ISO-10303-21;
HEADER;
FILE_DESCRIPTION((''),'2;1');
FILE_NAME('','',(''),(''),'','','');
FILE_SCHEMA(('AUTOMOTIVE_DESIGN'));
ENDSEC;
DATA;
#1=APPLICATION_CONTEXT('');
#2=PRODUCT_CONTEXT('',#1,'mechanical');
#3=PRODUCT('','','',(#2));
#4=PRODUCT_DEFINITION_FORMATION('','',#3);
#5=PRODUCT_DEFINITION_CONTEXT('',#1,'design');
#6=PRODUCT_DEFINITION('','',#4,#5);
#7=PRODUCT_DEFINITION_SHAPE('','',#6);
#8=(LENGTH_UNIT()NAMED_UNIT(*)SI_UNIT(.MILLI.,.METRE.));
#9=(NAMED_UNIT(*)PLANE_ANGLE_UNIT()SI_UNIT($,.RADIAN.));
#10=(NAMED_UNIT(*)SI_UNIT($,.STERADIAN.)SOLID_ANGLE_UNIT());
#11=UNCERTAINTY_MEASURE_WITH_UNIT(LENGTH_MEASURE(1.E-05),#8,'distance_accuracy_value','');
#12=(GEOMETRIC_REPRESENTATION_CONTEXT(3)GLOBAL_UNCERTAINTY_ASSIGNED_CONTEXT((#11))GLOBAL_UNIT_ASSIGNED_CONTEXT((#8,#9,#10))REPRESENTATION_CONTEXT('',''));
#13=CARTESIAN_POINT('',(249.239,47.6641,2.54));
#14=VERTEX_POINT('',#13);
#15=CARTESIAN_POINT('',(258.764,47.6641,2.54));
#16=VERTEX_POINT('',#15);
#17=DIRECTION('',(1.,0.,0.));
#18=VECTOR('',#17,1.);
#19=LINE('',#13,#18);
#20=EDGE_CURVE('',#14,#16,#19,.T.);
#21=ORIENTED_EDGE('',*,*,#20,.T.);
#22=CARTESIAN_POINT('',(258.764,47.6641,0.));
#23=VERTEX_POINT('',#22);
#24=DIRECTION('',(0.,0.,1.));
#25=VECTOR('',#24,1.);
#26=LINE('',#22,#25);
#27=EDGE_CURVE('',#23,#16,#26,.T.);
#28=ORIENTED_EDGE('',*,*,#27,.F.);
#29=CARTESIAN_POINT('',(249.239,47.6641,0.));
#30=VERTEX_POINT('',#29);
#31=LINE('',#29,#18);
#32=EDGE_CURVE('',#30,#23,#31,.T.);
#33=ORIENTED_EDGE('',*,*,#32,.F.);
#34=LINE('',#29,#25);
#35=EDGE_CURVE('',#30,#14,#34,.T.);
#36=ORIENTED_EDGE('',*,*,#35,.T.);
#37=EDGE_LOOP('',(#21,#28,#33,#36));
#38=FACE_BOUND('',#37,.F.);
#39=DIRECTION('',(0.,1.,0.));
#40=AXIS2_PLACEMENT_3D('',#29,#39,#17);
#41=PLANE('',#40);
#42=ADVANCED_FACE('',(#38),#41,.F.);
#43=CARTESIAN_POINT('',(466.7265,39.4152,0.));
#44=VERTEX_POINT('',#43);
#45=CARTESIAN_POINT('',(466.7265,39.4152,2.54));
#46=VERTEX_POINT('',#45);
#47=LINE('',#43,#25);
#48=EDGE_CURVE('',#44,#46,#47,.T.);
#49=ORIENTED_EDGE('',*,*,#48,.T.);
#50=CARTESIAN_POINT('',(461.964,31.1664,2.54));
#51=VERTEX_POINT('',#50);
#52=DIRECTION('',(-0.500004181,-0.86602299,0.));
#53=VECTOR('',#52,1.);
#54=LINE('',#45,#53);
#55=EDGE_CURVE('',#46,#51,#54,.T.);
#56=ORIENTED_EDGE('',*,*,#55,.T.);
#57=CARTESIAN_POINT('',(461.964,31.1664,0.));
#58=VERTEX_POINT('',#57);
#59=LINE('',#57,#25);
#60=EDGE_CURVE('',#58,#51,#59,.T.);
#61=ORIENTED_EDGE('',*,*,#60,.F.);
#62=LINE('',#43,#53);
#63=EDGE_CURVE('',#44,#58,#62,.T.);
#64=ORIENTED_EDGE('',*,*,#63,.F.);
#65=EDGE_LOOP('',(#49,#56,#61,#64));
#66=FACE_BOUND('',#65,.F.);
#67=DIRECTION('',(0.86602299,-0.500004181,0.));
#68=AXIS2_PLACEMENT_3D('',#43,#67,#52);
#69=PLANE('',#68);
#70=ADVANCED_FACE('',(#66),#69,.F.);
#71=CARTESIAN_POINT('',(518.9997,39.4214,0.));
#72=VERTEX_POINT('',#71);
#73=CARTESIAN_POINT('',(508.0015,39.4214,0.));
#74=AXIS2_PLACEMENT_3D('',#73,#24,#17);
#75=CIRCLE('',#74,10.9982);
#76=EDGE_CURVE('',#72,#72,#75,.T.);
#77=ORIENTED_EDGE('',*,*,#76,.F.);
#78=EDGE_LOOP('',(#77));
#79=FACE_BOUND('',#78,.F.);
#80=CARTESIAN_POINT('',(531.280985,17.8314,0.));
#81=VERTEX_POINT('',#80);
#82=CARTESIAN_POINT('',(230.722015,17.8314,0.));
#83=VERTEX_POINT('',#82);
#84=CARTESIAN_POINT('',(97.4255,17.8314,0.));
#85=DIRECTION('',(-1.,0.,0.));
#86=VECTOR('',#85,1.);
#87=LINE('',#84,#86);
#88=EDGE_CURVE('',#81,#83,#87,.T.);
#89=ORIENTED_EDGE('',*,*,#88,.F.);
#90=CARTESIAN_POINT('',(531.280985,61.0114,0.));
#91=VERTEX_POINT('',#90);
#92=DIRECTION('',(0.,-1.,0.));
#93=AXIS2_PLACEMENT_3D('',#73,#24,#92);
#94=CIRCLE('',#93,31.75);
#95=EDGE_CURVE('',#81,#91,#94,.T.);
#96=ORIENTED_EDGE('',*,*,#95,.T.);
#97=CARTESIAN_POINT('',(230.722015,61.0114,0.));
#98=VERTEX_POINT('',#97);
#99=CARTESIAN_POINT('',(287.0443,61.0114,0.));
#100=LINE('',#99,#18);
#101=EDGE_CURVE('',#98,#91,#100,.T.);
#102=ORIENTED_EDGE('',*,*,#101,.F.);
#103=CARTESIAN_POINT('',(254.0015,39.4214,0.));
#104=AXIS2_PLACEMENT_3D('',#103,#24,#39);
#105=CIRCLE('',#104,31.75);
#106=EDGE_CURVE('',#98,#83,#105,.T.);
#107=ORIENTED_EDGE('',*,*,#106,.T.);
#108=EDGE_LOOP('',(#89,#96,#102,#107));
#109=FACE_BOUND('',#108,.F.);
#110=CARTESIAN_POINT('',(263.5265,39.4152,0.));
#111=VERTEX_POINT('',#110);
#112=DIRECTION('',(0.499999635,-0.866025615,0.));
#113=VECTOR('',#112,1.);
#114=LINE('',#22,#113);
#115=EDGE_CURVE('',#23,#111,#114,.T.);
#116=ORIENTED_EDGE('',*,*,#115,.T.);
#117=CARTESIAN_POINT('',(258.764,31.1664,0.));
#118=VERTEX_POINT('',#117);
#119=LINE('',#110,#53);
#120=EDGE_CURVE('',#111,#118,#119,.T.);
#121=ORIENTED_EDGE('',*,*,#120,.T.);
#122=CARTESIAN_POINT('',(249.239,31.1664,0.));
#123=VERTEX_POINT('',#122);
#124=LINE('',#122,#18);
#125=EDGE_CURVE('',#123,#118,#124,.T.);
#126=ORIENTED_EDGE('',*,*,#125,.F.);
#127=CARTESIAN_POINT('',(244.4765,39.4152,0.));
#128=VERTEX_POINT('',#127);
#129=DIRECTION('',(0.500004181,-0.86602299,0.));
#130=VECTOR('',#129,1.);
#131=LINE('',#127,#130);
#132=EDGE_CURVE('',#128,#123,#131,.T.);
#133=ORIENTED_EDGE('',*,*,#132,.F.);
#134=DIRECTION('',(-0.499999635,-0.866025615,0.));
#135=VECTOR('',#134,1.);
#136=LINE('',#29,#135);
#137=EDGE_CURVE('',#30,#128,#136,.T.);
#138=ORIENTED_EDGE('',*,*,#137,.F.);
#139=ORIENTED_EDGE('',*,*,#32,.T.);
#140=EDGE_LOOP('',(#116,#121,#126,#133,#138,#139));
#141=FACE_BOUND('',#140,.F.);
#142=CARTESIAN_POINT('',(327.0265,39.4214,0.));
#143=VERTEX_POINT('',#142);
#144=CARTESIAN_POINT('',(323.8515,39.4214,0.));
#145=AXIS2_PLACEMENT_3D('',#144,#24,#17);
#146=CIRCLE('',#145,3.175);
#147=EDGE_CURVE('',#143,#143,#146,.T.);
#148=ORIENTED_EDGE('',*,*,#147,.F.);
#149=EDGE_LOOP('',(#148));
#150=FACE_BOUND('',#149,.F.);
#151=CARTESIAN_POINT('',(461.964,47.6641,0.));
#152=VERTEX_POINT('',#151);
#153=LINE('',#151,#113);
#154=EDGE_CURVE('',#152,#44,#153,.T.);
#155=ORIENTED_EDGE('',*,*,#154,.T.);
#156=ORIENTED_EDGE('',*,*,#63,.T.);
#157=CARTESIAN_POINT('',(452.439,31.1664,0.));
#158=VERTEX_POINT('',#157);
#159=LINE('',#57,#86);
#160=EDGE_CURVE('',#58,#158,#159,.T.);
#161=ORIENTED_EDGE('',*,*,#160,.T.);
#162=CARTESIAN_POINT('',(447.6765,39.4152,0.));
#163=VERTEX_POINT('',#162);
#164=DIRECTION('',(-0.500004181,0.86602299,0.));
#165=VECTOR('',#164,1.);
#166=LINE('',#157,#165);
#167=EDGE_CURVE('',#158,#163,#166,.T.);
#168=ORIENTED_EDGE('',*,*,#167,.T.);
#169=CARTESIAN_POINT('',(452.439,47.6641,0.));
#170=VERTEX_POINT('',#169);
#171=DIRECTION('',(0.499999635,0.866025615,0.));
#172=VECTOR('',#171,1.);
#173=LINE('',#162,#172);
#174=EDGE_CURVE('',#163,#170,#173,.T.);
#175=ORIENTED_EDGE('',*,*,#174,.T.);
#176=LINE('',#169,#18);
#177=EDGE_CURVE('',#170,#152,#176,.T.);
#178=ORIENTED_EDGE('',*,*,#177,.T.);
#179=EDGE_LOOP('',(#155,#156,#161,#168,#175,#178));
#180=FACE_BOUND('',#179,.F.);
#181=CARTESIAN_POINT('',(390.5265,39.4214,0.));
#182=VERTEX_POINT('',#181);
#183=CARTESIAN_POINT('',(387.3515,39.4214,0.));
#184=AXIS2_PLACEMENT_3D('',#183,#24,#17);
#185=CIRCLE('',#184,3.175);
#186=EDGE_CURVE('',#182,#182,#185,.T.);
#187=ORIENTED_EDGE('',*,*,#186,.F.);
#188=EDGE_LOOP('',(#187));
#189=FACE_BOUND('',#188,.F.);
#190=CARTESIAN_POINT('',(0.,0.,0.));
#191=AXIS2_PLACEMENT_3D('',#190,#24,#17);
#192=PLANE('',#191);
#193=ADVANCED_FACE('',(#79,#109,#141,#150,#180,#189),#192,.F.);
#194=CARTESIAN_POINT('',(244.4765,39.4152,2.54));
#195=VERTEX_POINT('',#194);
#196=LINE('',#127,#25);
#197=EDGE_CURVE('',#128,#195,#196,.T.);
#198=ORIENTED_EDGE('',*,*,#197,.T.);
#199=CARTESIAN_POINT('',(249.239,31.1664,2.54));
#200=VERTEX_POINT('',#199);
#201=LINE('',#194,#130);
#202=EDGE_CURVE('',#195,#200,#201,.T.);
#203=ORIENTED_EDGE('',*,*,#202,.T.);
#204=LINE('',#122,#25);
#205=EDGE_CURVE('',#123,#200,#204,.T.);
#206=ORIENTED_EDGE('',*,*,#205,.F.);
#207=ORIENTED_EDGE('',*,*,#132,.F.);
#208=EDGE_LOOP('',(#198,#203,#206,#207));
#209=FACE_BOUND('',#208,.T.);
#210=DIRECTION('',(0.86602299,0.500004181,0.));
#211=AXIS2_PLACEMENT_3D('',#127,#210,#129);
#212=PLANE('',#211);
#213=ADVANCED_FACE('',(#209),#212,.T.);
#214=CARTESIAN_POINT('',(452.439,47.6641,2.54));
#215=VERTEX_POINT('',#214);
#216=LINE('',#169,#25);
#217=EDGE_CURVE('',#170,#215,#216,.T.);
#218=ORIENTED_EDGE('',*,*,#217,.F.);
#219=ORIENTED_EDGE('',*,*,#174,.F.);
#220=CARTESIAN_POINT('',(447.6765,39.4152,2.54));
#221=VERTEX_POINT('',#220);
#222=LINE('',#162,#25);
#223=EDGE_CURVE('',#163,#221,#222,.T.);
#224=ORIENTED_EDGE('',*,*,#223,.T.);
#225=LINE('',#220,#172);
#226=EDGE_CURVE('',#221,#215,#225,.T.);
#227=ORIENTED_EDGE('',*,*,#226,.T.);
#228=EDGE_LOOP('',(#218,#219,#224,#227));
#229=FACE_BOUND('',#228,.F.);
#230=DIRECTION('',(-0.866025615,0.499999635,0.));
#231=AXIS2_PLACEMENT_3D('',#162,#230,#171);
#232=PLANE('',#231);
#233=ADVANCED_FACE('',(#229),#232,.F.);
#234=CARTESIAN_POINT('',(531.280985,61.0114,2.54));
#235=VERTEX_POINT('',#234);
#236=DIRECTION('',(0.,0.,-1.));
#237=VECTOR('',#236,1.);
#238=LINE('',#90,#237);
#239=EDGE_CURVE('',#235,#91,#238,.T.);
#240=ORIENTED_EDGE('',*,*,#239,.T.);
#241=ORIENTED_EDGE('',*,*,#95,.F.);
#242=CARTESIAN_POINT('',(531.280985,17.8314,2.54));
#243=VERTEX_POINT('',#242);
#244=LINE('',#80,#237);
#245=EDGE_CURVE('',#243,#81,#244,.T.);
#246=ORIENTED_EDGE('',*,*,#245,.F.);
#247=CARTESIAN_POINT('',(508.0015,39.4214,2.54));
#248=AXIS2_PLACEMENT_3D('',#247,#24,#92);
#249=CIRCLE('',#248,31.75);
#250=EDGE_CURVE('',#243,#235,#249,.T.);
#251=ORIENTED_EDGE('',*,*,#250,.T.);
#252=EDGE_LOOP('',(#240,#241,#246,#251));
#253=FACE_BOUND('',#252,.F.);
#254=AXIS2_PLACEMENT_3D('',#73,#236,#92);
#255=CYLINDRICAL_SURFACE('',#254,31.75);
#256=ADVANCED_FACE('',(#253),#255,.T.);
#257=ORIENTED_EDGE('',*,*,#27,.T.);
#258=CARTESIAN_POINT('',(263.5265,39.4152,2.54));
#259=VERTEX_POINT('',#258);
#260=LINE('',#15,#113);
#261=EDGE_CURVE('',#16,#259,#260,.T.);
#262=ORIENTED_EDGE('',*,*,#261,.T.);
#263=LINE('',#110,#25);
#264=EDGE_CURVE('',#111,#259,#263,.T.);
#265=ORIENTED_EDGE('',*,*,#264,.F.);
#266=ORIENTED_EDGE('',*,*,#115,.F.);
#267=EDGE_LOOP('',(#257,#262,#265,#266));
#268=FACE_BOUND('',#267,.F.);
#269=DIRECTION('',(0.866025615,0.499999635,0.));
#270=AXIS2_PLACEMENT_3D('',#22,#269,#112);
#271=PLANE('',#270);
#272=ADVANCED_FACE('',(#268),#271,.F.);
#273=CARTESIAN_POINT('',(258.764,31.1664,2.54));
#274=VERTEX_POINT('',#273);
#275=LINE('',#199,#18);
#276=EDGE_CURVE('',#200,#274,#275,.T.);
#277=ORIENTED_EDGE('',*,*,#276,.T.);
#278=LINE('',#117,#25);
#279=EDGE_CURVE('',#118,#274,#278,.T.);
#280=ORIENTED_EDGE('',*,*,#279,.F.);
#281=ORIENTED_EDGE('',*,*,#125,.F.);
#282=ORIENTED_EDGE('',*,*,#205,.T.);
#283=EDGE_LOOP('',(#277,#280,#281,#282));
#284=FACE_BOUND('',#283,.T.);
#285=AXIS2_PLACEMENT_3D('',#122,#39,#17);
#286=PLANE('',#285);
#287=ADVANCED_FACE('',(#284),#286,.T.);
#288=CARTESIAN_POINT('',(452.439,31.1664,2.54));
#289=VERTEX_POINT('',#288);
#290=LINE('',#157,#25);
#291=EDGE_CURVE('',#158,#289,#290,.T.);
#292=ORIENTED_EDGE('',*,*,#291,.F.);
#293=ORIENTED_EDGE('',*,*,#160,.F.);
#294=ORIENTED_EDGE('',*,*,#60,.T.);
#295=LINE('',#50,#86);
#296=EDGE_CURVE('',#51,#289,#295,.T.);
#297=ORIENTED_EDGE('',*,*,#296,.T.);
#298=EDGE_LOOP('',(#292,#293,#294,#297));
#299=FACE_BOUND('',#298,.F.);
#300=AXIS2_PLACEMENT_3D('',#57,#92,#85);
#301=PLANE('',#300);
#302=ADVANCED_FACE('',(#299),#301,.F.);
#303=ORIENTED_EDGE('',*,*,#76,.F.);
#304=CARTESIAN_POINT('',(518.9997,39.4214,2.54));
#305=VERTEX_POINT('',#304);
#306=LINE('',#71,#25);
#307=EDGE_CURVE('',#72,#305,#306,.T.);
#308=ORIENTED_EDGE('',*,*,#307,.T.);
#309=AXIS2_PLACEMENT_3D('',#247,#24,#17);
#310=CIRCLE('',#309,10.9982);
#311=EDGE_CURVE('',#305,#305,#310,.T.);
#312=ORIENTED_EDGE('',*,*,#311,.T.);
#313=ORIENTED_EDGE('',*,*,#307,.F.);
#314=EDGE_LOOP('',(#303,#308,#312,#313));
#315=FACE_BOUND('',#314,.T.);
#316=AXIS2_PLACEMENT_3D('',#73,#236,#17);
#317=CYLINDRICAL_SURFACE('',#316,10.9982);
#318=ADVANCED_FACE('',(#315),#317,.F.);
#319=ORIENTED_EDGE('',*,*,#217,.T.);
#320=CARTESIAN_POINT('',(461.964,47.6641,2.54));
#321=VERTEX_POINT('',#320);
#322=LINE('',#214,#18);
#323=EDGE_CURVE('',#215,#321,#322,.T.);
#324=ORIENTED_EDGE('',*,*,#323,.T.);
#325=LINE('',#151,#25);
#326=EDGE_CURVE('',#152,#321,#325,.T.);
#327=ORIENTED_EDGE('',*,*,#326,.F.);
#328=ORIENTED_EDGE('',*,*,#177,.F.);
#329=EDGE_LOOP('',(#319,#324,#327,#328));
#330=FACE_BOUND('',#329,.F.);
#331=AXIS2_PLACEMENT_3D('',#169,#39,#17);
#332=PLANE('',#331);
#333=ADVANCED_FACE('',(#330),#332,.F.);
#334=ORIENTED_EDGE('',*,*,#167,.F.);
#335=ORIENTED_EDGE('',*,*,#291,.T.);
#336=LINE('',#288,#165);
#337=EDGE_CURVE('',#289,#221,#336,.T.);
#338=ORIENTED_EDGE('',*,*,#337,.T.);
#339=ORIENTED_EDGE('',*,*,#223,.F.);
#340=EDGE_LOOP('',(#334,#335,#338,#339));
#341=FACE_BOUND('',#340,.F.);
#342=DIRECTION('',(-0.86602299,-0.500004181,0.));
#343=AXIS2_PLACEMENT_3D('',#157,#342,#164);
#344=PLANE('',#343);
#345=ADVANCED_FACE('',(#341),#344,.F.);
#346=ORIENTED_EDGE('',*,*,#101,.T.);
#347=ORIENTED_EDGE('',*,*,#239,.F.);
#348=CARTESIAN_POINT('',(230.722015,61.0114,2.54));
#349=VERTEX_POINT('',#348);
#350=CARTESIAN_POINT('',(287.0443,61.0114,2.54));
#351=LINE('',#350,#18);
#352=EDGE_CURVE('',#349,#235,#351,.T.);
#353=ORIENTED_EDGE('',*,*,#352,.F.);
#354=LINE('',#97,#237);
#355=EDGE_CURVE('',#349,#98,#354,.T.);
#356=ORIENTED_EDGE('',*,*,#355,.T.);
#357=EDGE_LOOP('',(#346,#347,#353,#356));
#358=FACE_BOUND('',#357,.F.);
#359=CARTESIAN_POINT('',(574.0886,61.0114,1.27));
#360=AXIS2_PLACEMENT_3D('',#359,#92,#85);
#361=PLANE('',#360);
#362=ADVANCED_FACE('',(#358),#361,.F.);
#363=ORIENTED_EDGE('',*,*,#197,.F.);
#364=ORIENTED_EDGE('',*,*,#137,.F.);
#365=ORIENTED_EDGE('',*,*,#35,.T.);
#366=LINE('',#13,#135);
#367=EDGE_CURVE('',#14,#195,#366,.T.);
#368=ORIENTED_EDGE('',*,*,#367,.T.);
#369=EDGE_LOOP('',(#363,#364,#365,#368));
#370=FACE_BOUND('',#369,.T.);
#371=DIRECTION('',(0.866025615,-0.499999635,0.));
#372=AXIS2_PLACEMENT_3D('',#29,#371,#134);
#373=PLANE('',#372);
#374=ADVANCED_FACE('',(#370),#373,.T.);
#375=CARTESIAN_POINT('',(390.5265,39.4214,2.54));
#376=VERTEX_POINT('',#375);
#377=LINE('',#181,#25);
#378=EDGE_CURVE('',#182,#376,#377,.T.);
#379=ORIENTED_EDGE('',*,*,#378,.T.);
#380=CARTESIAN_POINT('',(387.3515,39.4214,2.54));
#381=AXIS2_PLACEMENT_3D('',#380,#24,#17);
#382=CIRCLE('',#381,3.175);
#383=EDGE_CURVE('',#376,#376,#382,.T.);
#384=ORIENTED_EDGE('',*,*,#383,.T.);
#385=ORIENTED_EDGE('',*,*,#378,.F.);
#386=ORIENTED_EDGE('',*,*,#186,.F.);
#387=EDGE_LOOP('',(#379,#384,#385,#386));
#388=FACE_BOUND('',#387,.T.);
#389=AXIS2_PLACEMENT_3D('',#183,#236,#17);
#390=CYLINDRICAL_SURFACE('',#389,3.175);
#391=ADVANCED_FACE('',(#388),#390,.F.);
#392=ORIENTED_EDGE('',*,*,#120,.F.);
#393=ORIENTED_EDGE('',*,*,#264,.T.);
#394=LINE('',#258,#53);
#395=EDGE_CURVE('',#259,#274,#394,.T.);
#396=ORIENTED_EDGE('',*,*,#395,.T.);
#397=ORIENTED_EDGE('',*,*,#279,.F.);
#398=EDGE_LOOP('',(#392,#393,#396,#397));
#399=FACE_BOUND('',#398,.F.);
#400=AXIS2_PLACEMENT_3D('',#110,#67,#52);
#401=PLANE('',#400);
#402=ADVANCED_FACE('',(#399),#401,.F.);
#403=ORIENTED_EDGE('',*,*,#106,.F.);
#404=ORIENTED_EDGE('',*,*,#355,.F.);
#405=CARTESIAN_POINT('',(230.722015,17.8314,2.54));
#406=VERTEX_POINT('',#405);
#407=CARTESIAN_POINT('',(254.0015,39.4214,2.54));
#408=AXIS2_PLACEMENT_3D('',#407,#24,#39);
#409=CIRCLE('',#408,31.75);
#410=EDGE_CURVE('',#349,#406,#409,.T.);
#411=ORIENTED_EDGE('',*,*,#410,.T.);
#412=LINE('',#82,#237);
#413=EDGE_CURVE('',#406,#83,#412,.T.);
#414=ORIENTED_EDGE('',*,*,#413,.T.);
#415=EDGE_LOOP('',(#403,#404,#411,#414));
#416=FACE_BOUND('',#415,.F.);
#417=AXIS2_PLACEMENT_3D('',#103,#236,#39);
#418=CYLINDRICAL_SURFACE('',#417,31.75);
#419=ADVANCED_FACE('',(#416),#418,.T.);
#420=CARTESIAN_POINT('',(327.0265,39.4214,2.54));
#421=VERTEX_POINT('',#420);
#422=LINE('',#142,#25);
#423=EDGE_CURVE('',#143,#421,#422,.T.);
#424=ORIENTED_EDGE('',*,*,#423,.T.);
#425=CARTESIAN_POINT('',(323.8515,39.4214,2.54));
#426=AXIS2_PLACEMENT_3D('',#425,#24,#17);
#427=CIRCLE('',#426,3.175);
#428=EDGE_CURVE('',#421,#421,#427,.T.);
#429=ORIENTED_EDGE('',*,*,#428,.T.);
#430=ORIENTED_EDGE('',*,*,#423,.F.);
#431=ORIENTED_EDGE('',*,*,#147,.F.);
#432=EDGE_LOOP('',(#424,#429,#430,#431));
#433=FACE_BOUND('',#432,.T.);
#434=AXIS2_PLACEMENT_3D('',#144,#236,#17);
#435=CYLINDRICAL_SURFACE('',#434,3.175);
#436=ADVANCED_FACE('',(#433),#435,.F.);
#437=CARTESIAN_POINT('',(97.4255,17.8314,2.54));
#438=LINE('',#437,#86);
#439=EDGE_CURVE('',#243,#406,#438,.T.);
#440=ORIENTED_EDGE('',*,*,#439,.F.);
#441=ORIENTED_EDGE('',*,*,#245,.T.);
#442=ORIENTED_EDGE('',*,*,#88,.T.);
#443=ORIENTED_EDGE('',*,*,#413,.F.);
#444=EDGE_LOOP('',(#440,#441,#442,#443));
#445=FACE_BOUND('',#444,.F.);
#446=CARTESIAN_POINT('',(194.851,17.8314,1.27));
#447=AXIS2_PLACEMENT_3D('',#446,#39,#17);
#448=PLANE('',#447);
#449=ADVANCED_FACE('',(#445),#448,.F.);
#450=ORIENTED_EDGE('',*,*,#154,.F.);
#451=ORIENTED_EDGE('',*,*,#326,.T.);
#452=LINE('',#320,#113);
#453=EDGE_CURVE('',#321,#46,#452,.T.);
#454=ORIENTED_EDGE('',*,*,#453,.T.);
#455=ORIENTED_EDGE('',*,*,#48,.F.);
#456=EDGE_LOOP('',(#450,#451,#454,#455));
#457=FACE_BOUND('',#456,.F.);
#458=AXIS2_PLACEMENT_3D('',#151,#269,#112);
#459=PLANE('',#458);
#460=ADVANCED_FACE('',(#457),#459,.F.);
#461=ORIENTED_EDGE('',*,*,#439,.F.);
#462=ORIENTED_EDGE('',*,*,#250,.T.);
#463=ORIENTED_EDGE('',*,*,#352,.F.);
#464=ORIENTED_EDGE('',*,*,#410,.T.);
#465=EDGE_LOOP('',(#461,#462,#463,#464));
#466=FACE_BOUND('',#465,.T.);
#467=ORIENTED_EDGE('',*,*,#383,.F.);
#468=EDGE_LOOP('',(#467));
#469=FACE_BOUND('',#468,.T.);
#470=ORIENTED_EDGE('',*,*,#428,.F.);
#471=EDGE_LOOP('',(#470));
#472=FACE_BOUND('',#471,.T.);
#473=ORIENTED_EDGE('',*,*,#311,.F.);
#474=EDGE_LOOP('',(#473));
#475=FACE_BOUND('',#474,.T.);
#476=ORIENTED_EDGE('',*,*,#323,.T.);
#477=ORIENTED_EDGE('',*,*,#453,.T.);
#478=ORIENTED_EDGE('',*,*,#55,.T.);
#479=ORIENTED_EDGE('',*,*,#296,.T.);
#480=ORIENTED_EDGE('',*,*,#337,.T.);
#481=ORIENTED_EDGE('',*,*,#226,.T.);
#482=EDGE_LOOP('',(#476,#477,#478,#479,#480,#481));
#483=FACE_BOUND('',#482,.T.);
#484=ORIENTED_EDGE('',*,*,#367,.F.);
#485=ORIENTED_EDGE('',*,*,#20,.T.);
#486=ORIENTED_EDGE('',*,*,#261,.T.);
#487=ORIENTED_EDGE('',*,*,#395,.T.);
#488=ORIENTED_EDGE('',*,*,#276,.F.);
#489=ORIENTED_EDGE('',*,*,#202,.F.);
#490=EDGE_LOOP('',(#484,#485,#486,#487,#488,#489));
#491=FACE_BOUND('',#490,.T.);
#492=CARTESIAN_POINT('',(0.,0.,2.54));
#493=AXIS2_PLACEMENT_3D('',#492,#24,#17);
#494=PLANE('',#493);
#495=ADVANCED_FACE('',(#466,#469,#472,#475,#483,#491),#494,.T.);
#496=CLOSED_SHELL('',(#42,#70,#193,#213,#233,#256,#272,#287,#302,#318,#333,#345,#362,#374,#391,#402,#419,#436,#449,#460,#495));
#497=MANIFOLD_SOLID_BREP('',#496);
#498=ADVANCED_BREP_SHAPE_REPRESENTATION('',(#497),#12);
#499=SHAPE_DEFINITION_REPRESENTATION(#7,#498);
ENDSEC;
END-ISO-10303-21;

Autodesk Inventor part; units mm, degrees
ref_plane "YZ Plane" through (0, 0, 0) normal (1, 0, 0) x (0, 1, 0)
ref_plane "XZ Plane" through (0, 0, 0) normal (0, 1, 0) x (-1, 0, 0)
sketch "Sketch1" plane through (0, 0, 0) normal (0, 0, 1) x (1, 0, 0)
  line L0 (508.0015, 71.1714) -> (254.0015, 71.1714)
  circle A0 centre (508.0015, 39.4214) radius 10.9982
  arc A1 (254.0015, 71.1714) -> (254.0015, 7.6714) centre (254.0015, 39.4214) ccw
  arc A2 (508.0015, 7.6714) -> (508.0015, 71.1714) centre (508.0015, 39.4214) ccw
  line L1 (452.439, 47.6641) -> (461.964, 47.6641)
  line L2 (461.964, 47.6641) -> (466.7265, 39.4152)
  line L3 (461.964, 31.1664) -> (452.439, 31.1664)
  line L4 (452.439, 31.1664) -> (447.6765, 39.4152)
  line L5 (447.6765, 39.4152) -> (452.439, 47.6641)
  line L6 (466.7265, 39.4152) -> (461.964, 31.1664)
  line L7 (254.0015, 7.6714) -> (508.0015, 7.6714)
  line L8 (249.239, 47.6641) -> (258.764, 47.6641)
  line L9 (258.764, 47.6641) -> (263.5265, 39.4152)
  line L10 (263.5265, 39.4152) -> (258.764, 31.1664)
  line L11 (249.239, 47.6641) -> (244.4765, 39.4152)
  line L12 (244.4765, 39.4152) -> (249.239, 31.1664)
  line L13 (249.239, 31.1664) -> (258.764, 31.1664)
  circle A3 centre (323.8515, 39.4214) radius 3.175
  circle A4 centre (387.3515, 39.4214) radius 3.175
  point P0 (254.0015, 39.4214)
  point P1 (457.2015, 31.1664)
  point P2 (457.3274, 39.4214)
  dimension "d15" = 89.0524
  dimension "d18" = 44.45
  dimension "d36" = 56.5658
  dimension "d69" = 126.3396
  dimension "d72" = 25.4
  dimension "d3" = 21.9964
  dimension "d158" = 9.525
  dimension "d159" = 9.525
  dimension "d160" = 9.525
  dimension "d161" = 9.525
  dimension "d162" = 9.525
  dimension "d164" = 120
  dimension "d165" = 120
  dimension "d166" = 120
  dimension "d167" = 120
  dimension "d172" = 254
  dimension "d173" = 9.525
  dimension "d174" = 9.525
  dimension "d177" = 120
  dimension "d178" = 9.525
  dimension "d179" = 120
  dimension "d181" = 8.255
  dimension "d182" = 9.525
  dimension "d183" = 31.75
  dimension "d184" = 6.35
  dimension "d185" = 6.35
  dimension "d186" = 50.8
  dimension "d187" = 69.85
  dimension "d188" = 63.5
  dimension "d189" = 69.85
  dimension "d191" = 31.75
  dimension "d192" = 31.75
  dimension "d193" = 120
  dimension "d194" = 120
  dimension "d195" = 31.75
  dimension "d196" = 31.75
  dimension "d197" = 8.255
  dimension "d198" = 31.75
extrude "Extrusion10" add sketch "Sketch1" along normal blind 2.54
ref_plane "Work Plane1" through (0, 0, 1.27) normal (0, 0, 1) x (1, 0, 0)
sketch "Sketch2" plane through (0, 0, 1.27) normal (0, 0, 1) x (1, 0, 0)
  line L0 (193.0886, 111.8114) -> (574.0886, 111.8114)
  line L1 (574.0886, 111.8114) -> (574.0886, 61.0114)
  line L2 (574.0886, 61.0114) -> (193.0886, 61.0114)
  line L3 (193.0886, 61.0114) -> (193.0886, 111.8114)
  line L4 (194.851, 17.8314) -> (575.851, 17.8314)
  line L5 (575.851, 17.8314) -> (575.851, -32.9686)
  line L6 (575.851, -32.9686) -> (194.851, -32.9686)
  line L7 (194.851, -32.9686) -> (194.851, 17.8314)
  line L8 (508.0015, 71.1714) -> (254.0015, 71.1714) projected
  line L9 (254.0015, 7.6714) -> (508.0015, 7.6714) projected
  point P0 (0, 0)
  dimension "d199" = 381
  dimension "d200" = 50.8
  dimension "d201" = 381
  dimension "d202" = 50.8
  dimension "d203" = 53.34
  dimension "d204" = 53.34
extrude "Extrusion11" cut sketch "Sketch2" along normal mid plane 25.4
properties part number "new arm plate" material "CFRP"
